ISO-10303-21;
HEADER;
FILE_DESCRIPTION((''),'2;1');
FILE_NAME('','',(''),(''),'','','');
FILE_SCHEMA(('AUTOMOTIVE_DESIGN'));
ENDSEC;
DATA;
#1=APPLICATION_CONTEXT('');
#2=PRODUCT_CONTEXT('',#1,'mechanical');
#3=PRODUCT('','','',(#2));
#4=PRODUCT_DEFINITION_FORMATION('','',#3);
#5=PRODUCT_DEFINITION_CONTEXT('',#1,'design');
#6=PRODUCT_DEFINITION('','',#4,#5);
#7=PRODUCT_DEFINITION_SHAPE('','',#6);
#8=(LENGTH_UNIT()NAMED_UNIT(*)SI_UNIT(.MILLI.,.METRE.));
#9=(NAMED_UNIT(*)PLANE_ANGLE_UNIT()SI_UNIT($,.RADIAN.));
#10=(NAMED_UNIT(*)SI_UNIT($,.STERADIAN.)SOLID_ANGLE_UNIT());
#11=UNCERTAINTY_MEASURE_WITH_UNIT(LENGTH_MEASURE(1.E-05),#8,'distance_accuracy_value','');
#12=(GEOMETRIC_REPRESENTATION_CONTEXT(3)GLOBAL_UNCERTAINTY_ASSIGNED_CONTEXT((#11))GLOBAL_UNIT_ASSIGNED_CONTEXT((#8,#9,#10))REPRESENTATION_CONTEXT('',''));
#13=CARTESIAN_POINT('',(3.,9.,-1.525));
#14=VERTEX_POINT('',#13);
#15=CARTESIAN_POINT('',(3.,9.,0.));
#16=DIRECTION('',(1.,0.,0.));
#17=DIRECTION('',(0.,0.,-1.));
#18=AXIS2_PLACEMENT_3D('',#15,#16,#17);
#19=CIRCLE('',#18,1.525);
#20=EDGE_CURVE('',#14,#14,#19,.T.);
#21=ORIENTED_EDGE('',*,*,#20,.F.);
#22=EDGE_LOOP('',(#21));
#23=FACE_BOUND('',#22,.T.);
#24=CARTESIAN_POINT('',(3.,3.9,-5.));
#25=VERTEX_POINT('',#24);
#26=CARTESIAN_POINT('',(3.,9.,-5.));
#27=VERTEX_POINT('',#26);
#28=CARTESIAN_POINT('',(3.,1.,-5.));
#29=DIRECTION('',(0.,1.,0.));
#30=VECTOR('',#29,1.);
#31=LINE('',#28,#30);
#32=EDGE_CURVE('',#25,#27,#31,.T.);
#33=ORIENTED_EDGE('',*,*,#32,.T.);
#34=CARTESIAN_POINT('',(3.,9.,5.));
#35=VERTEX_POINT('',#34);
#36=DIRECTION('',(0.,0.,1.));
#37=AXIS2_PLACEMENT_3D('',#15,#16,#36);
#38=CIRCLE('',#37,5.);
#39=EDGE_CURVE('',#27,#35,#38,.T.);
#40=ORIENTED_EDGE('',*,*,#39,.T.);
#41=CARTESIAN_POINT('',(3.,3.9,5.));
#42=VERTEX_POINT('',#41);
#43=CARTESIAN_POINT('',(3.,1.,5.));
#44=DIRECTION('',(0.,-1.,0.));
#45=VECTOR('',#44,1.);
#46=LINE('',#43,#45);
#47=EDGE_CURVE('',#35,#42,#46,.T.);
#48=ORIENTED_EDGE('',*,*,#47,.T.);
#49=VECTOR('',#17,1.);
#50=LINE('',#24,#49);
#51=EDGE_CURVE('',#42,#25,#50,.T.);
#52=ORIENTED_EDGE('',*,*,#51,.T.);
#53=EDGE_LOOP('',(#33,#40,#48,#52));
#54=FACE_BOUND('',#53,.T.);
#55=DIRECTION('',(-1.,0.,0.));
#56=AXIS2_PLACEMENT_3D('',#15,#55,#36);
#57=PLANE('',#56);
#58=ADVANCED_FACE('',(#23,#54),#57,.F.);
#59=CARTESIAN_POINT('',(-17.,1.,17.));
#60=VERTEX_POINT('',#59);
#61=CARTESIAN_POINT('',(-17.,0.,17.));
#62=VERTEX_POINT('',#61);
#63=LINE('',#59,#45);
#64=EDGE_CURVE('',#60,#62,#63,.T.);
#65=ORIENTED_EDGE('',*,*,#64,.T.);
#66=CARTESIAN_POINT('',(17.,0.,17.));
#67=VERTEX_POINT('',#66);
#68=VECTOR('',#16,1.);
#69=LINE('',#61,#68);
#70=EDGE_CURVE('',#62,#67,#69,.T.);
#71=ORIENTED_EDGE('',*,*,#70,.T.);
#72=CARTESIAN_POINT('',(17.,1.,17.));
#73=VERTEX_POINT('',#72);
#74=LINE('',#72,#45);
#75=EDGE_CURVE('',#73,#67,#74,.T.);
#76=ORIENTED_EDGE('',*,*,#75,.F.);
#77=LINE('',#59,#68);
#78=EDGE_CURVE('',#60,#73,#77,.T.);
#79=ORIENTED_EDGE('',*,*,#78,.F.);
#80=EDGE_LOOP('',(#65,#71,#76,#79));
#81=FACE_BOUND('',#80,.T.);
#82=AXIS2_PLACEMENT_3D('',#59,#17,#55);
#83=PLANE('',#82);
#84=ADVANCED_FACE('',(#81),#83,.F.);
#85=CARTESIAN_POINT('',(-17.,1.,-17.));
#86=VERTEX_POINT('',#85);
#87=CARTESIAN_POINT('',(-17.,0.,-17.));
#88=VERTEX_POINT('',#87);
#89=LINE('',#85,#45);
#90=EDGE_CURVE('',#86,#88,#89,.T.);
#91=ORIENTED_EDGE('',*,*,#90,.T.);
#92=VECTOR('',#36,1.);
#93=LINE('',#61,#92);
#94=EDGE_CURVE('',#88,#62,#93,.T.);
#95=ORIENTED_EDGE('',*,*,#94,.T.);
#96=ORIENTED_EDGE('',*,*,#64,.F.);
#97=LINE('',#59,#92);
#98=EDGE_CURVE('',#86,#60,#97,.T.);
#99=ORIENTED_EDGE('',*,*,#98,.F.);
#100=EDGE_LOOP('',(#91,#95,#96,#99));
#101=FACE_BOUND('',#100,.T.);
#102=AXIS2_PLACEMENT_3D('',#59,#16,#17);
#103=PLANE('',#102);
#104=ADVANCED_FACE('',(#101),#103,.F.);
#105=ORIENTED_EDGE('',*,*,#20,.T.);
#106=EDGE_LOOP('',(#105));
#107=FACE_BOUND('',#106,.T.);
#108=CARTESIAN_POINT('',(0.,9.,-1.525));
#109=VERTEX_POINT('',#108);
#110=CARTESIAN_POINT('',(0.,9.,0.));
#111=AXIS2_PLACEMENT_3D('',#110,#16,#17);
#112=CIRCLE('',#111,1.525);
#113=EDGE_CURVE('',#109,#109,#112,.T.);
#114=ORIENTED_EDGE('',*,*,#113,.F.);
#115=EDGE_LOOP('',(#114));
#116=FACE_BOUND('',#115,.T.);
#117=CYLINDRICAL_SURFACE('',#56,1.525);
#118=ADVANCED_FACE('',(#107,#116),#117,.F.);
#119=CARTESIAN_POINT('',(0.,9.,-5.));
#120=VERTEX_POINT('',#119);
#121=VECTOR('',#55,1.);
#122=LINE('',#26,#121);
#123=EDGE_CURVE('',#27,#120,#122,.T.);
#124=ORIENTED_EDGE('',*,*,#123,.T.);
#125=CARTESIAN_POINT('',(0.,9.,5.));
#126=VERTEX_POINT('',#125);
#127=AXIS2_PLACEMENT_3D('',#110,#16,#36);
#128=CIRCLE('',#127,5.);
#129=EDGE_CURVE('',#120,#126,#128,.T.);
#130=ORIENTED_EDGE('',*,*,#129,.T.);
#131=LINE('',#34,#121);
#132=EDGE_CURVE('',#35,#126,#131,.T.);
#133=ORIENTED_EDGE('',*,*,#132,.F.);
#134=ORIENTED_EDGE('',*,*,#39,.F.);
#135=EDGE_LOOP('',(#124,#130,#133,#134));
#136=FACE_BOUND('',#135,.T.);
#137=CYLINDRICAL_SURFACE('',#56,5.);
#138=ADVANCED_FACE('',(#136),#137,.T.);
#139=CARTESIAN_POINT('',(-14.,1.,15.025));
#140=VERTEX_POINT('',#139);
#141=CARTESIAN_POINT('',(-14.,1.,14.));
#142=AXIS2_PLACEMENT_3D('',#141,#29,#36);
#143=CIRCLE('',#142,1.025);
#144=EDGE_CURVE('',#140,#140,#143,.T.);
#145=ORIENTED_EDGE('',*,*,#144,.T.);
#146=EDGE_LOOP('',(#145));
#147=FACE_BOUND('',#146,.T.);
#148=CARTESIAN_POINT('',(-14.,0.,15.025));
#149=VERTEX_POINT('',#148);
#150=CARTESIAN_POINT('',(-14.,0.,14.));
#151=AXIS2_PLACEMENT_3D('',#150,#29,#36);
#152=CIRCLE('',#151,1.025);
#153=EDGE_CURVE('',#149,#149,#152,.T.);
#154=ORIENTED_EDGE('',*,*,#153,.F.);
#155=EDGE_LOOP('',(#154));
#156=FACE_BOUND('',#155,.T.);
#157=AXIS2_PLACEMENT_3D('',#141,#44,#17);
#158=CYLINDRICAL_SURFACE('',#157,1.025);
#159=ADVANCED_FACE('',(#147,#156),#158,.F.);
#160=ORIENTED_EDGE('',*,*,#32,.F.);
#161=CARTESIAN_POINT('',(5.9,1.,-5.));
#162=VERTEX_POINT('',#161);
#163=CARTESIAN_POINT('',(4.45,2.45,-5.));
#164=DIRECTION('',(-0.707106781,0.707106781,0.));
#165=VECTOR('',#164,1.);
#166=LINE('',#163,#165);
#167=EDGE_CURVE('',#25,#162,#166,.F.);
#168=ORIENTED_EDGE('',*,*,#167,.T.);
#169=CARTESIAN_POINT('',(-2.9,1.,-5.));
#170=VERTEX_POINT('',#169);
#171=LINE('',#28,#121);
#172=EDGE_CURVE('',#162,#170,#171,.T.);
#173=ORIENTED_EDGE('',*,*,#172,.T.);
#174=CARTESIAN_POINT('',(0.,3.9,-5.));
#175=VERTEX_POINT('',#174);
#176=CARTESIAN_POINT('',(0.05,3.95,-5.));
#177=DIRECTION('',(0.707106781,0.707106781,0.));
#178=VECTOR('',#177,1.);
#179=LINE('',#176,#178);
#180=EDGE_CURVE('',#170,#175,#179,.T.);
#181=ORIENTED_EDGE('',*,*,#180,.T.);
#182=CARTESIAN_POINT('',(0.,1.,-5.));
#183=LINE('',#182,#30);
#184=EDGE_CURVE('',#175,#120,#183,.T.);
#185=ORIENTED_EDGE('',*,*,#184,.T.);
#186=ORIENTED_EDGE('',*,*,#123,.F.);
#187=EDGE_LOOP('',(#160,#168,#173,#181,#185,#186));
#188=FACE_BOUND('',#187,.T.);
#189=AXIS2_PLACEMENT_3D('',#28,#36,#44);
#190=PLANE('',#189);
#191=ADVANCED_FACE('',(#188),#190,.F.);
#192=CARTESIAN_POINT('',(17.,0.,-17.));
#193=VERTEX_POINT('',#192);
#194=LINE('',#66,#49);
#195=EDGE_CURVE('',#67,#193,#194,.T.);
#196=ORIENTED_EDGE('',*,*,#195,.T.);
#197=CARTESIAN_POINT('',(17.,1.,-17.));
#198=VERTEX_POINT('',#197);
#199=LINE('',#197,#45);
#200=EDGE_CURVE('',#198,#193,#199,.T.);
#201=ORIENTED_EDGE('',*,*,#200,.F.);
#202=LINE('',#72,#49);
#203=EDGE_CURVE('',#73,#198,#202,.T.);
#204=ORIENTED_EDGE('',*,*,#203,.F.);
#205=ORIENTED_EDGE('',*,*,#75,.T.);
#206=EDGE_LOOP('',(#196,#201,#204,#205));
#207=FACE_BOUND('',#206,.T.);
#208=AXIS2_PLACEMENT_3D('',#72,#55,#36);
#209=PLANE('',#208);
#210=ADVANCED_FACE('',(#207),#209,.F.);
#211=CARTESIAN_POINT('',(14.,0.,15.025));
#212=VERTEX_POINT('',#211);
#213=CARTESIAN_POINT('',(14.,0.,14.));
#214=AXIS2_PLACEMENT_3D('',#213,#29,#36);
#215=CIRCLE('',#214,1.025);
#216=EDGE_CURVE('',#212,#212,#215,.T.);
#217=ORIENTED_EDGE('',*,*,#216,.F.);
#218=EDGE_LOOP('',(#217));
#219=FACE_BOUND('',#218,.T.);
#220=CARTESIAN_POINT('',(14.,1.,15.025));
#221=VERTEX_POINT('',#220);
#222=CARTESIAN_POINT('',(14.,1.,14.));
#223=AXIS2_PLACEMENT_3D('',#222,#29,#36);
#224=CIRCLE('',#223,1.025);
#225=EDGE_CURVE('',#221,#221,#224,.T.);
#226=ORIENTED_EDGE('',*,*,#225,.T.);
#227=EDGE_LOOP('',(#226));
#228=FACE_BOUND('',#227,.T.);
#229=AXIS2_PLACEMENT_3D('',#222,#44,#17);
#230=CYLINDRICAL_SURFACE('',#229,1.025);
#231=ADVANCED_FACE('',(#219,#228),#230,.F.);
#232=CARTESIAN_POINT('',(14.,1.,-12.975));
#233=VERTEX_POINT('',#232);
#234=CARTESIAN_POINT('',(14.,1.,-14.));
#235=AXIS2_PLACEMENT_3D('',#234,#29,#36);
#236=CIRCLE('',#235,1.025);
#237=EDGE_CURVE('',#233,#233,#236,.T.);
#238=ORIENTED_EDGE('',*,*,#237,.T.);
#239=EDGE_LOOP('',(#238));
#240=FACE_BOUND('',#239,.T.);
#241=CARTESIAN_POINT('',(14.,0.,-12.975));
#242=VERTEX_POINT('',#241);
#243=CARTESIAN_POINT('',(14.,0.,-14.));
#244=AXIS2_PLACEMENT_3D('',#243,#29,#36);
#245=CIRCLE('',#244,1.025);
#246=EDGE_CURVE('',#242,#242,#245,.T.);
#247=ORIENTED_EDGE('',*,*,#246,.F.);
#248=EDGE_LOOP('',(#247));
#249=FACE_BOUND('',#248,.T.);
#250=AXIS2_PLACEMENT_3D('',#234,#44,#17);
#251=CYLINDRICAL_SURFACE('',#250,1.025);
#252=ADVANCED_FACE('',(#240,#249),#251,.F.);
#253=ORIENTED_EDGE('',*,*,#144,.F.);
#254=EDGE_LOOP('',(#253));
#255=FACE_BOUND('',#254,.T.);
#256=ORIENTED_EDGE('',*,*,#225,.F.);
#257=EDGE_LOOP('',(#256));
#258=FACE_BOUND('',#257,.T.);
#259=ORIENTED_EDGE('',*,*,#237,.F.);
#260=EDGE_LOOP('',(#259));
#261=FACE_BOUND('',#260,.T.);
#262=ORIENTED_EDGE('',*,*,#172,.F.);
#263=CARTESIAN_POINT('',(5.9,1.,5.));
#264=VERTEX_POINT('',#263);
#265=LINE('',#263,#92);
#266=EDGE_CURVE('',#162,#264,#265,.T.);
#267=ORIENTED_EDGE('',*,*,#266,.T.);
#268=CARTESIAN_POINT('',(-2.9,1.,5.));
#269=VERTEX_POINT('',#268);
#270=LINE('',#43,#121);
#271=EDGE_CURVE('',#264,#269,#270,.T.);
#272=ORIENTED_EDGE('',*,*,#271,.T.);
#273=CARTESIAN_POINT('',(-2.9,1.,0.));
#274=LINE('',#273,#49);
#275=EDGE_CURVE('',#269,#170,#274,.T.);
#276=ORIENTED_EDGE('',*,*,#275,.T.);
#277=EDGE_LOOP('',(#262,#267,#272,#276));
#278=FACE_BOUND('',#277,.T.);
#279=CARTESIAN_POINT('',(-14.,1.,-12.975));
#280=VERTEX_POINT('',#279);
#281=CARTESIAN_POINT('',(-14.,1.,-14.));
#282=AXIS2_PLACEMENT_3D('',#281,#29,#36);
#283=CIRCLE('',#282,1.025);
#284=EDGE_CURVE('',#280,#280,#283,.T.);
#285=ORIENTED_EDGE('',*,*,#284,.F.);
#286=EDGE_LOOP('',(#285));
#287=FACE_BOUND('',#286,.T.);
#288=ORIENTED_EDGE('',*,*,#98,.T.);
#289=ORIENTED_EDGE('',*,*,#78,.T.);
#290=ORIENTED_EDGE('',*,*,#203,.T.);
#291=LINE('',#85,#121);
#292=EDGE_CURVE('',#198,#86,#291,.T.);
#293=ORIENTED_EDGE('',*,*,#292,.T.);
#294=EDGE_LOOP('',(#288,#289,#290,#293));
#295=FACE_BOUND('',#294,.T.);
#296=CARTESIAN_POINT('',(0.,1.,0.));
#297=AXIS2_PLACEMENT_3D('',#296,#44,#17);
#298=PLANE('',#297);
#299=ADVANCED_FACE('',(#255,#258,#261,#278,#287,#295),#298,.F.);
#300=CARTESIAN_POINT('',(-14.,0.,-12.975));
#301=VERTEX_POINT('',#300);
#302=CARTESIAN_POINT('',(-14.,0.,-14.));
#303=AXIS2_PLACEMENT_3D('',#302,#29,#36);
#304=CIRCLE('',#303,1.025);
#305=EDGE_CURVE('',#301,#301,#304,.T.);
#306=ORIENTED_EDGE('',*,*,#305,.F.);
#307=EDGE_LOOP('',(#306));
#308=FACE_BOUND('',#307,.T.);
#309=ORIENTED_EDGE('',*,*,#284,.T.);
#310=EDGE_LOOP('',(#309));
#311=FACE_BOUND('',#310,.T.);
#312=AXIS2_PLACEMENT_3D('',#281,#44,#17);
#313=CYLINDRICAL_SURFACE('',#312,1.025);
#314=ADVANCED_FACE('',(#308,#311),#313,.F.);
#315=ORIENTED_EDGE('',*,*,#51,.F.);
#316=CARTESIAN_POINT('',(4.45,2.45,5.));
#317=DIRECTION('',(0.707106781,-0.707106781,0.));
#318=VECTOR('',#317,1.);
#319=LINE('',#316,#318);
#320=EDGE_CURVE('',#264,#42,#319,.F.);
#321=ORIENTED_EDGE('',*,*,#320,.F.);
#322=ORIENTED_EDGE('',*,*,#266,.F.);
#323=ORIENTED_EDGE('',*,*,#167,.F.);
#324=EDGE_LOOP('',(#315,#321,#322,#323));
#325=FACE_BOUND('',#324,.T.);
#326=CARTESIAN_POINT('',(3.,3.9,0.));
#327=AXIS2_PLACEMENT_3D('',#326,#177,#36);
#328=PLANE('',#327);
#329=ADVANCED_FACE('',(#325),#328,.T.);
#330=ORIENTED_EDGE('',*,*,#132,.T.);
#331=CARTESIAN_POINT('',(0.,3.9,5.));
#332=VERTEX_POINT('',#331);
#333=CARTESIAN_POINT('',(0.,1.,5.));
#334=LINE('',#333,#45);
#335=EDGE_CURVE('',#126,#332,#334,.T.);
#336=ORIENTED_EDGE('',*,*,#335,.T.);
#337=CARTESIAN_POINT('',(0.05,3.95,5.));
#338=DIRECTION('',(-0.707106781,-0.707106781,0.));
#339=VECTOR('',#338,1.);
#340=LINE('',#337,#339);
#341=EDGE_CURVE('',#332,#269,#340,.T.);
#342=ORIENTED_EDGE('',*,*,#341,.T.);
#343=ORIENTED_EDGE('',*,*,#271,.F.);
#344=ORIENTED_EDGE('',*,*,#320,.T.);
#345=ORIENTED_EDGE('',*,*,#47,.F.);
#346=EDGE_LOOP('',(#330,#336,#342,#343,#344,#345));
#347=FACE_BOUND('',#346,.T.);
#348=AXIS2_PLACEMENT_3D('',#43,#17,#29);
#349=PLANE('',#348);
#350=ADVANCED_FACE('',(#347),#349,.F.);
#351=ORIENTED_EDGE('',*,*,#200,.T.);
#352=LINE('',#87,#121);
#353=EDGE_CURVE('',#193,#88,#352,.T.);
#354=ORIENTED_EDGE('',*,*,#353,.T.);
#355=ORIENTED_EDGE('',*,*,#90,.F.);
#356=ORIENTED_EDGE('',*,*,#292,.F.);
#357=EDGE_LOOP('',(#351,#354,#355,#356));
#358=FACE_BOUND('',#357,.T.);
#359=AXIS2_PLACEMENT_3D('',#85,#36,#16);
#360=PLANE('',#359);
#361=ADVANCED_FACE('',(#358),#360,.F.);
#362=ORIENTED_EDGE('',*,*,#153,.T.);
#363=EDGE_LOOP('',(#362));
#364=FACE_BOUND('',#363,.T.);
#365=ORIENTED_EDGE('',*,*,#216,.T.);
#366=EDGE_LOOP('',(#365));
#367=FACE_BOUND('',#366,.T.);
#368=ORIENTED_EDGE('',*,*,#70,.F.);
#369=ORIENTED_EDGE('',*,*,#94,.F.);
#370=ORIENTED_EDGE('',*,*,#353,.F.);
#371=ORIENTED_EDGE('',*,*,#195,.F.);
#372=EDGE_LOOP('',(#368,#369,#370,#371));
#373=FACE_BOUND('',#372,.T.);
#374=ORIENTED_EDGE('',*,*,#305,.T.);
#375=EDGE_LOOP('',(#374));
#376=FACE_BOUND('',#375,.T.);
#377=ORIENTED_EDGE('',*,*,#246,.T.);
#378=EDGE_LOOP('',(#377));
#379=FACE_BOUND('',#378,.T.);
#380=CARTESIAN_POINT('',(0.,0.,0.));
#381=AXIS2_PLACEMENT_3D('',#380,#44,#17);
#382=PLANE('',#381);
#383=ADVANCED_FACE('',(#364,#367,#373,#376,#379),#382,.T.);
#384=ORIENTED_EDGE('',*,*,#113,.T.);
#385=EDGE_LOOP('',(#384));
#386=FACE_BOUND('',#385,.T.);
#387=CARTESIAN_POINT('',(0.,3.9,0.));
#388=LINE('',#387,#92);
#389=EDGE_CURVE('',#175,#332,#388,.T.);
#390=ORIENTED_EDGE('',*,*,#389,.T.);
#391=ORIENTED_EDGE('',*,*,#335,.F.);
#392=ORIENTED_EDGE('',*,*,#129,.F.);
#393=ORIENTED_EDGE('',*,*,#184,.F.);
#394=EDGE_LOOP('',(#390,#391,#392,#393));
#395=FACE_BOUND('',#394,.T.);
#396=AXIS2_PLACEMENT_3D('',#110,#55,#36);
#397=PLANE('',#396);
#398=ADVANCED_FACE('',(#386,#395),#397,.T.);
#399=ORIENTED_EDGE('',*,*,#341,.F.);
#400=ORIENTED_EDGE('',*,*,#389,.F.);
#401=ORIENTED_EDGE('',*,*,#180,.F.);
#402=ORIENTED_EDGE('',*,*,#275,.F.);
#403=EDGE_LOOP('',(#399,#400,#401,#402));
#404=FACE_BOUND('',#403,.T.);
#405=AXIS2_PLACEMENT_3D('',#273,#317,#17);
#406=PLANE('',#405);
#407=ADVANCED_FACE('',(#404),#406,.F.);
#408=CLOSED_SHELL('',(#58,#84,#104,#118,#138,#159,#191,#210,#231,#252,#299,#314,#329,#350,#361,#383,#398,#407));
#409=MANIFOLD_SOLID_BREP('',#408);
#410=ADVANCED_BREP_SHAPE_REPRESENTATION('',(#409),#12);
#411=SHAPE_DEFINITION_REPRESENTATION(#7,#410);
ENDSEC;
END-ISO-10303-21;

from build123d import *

# Parameters (mm, degrees)
SKETCH1_W           = 34
SKETCH1_H           = 34
SKETCH1_R           = 1.025
BOSS_EXTRUDE1_DEPTH = 1
SKETCH4_R           = 1.525
BOSS_EXTRUDE2_DEPTH = 3
CHAMFER1_SIZE       = 2.9


with BuildPart() as part:
    # Sketch1 → Boss-Extrude1 (new body)
    with BuildSketch(Plane(origin=(0, 0, 0), x_dir=(1, 0, 0), z_dir=(0, 1, 0))):
        Rectangle(SKETCH1_W, SKETCH1_H)
        with Locations(Location((-14, 14, 0), (0, 0, 270))):
            Circle(SKETCH1_R, mode=Mode.SUBTRACT)
        with Locations(Location((14, 14, 0), (0, 0, 270))):
            Circle(SKETCH1_R, mode=Mode.SUBTRACT)
        with Locations(Location((14, -14, 0), (0, 0, 270))):
            Circle(SKETCH1_R, mode=Mode.SUBTRACT)
        with Locations(Location((-14, -14, 0), (0, 0, 270))):
            Circle(SKETCH1_R, mode=Mode.SUBTRACT)
    extrude(amount=BOSS_EXTRUDE1_DEPTH)

    # Sketch4 → Boss-Extrude2 (add)
    with BuildSketch(Plane(origin=(0, 0, 0), x_dir=(0, 0, -1), z_dir=(1, 0, 0))):
        with BuildLine():
            Line((-5, 1), (5, 1))
            Line((5, 1), (5, 9))
            ThreePointArc((5, 9), (0, 14), (-5, 9))
            Line((-5, 9), (-5, 1))
        make_face()
        with Locations((0, 9)):
            Circle(SKETCH4_R, mode=Mode.SUBTRACT)
    extrude(amount=BOSS_EXTRUDE2_DEPTH)

    # Chamfer1
    chamfer1_edges = [part.edges().sort_by_distance(p)[0] for p in [
        (3, 1, 0),
        (0, 1, 0),
    ]]
    chamfer(chamfer1_edges, length=CHAMFER1_SIZE)


solid = part.part
